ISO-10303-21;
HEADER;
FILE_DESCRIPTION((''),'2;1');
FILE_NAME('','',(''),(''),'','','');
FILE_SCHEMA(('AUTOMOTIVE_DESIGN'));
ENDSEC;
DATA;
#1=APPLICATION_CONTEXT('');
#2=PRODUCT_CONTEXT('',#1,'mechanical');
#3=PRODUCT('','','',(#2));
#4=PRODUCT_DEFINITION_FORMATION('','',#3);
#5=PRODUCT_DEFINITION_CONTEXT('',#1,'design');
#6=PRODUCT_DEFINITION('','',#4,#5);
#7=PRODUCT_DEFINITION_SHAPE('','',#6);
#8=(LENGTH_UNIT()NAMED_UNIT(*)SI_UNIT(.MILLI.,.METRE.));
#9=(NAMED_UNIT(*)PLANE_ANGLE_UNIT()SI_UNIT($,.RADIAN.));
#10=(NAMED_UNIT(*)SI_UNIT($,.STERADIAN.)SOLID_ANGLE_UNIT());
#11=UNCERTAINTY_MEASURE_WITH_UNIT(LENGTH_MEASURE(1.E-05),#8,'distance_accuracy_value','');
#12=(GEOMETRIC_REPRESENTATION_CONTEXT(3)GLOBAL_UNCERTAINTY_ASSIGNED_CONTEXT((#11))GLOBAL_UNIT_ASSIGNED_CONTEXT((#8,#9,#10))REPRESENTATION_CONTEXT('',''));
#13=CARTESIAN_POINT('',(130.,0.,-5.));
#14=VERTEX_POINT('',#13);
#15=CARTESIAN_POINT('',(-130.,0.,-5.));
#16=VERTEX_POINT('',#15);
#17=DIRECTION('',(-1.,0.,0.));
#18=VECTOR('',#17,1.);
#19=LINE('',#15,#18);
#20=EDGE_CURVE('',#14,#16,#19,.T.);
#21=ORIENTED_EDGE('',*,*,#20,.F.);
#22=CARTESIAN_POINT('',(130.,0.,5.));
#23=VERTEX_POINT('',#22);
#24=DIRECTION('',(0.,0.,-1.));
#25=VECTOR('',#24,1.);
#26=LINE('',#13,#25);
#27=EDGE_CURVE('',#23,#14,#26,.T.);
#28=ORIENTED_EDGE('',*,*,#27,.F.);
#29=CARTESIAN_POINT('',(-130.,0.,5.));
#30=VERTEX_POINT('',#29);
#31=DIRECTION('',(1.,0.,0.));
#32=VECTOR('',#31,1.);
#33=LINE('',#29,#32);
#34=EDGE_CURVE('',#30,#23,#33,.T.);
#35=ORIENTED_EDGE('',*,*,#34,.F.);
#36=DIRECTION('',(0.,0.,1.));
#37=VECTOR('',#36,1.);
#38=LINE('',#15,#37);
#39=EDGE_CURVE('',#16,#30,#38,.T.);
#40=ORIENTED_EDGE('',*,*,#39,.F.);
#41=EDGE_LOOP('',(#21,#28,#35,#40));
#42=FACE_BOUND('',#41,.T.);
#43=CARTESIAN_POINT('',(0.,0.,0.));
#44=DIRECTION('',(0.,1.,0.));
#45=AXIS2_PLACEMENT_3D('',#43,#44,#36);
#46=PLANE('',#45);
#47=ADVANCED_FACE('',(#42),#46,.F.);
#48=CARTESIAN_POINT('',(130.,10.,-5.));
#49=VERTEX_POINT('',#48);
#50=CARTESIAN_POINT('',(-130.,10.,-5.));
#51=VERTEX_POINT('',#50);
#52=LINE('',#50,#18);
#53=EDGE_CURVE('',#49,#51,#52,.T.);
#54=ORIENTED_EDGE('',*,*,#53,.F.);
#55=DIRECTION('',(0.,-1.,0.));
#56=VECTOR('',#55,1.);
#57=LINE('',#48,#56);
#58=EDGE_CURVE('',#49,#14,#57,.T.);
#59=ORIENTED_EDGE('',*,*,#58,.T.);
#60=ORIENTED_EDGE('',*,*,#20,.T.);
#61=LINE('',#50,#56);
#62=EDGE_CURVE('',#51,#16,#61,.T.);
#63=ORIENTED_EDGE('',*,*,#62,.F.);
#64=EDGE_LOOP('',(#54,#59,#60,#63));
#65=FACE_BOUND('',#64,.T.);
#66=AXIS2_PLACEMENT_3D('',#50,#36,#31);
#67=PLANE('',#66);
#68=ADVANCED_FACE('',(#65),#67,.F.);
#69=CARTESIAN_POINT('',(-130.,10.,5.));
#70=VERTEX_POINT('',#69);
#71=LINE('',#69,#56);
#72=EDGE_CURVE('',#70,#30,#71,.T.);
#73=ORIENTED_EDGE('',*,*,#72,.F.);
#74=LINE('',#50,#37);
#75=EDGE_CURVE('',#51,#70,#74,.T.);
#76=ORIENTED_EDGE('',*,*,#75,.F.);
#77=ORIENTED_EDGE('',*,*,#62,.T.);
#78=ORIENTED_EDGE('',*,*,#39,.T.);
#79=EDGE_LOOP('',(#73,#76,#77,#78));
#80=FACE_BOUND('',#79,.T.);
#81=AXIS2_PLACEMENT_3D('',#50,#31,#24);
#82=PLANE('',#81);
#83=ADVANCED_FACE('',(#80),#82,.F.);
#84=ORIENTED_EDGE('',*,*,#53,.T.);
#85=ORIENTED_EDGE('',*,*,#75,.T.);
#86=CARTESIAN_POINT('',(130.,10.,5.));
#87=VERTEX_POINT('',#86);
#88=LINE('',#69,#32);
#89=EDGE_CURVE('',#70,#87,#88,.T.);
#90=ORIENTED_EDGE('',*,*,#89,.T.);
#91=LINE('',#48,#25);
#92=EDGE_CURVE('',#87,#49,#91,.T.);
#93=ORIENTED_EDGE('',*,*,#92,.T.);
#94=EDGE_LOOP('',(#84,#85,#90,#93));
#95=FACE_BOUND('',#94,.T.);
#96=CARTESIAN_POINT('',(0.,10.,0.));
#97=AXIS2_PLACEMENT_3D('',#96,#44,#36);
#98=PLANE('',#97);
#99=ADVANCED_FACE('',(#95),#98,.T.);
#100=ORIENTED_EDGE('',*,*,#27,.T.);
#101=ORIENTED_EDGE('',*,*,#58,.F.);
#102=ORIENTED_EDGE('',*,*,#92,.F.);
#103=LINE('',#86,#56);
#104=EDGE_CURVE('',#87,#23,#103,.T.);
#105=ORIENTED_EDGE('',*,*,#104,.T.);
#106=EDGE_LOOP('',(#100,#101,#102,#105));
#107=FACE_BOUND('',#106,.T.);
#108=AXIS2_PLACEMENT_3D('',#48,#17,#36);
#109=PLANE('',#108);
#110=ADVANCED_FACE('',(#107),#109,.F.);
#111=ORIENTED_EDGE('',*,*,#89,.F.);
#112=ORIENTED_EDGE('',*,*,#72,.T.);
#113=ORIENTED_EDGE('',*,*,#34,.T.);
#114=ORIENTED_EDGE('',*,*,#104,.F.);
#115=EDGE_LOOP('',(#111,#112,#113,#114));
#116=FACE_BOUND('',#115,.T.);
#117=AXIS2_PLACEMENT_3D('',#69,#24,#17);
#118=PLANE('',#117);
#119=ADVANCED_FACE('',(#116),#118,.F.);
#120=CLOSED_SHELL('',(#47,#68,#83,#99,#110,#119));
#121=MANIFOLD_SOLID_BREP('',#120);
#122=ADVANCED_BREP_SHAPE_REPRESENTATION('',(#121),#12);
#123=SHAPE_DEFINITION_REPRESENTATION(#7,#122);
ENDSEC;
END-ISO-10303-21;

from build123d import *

# Parameters (mm, degrees)
SKETCH1_W           = 260
SKETCH1_H           = 10
BOSS_EXTRUDE1_DEPTH = 10


with BuildPart() as part:
    # Sketch1 → Boss-Extrude1 (new body)
    with BuildSketch(Plane(origin=(0, 0, 0), x_dir=(1, 0, 0), z_dir=(0, 1, 0))):
        Rectangle(SKETCH1_W, SKETCH1_H)
    extrude(amount=BOSS_EXTRUDE1_DEPTH)


solid = part.part
